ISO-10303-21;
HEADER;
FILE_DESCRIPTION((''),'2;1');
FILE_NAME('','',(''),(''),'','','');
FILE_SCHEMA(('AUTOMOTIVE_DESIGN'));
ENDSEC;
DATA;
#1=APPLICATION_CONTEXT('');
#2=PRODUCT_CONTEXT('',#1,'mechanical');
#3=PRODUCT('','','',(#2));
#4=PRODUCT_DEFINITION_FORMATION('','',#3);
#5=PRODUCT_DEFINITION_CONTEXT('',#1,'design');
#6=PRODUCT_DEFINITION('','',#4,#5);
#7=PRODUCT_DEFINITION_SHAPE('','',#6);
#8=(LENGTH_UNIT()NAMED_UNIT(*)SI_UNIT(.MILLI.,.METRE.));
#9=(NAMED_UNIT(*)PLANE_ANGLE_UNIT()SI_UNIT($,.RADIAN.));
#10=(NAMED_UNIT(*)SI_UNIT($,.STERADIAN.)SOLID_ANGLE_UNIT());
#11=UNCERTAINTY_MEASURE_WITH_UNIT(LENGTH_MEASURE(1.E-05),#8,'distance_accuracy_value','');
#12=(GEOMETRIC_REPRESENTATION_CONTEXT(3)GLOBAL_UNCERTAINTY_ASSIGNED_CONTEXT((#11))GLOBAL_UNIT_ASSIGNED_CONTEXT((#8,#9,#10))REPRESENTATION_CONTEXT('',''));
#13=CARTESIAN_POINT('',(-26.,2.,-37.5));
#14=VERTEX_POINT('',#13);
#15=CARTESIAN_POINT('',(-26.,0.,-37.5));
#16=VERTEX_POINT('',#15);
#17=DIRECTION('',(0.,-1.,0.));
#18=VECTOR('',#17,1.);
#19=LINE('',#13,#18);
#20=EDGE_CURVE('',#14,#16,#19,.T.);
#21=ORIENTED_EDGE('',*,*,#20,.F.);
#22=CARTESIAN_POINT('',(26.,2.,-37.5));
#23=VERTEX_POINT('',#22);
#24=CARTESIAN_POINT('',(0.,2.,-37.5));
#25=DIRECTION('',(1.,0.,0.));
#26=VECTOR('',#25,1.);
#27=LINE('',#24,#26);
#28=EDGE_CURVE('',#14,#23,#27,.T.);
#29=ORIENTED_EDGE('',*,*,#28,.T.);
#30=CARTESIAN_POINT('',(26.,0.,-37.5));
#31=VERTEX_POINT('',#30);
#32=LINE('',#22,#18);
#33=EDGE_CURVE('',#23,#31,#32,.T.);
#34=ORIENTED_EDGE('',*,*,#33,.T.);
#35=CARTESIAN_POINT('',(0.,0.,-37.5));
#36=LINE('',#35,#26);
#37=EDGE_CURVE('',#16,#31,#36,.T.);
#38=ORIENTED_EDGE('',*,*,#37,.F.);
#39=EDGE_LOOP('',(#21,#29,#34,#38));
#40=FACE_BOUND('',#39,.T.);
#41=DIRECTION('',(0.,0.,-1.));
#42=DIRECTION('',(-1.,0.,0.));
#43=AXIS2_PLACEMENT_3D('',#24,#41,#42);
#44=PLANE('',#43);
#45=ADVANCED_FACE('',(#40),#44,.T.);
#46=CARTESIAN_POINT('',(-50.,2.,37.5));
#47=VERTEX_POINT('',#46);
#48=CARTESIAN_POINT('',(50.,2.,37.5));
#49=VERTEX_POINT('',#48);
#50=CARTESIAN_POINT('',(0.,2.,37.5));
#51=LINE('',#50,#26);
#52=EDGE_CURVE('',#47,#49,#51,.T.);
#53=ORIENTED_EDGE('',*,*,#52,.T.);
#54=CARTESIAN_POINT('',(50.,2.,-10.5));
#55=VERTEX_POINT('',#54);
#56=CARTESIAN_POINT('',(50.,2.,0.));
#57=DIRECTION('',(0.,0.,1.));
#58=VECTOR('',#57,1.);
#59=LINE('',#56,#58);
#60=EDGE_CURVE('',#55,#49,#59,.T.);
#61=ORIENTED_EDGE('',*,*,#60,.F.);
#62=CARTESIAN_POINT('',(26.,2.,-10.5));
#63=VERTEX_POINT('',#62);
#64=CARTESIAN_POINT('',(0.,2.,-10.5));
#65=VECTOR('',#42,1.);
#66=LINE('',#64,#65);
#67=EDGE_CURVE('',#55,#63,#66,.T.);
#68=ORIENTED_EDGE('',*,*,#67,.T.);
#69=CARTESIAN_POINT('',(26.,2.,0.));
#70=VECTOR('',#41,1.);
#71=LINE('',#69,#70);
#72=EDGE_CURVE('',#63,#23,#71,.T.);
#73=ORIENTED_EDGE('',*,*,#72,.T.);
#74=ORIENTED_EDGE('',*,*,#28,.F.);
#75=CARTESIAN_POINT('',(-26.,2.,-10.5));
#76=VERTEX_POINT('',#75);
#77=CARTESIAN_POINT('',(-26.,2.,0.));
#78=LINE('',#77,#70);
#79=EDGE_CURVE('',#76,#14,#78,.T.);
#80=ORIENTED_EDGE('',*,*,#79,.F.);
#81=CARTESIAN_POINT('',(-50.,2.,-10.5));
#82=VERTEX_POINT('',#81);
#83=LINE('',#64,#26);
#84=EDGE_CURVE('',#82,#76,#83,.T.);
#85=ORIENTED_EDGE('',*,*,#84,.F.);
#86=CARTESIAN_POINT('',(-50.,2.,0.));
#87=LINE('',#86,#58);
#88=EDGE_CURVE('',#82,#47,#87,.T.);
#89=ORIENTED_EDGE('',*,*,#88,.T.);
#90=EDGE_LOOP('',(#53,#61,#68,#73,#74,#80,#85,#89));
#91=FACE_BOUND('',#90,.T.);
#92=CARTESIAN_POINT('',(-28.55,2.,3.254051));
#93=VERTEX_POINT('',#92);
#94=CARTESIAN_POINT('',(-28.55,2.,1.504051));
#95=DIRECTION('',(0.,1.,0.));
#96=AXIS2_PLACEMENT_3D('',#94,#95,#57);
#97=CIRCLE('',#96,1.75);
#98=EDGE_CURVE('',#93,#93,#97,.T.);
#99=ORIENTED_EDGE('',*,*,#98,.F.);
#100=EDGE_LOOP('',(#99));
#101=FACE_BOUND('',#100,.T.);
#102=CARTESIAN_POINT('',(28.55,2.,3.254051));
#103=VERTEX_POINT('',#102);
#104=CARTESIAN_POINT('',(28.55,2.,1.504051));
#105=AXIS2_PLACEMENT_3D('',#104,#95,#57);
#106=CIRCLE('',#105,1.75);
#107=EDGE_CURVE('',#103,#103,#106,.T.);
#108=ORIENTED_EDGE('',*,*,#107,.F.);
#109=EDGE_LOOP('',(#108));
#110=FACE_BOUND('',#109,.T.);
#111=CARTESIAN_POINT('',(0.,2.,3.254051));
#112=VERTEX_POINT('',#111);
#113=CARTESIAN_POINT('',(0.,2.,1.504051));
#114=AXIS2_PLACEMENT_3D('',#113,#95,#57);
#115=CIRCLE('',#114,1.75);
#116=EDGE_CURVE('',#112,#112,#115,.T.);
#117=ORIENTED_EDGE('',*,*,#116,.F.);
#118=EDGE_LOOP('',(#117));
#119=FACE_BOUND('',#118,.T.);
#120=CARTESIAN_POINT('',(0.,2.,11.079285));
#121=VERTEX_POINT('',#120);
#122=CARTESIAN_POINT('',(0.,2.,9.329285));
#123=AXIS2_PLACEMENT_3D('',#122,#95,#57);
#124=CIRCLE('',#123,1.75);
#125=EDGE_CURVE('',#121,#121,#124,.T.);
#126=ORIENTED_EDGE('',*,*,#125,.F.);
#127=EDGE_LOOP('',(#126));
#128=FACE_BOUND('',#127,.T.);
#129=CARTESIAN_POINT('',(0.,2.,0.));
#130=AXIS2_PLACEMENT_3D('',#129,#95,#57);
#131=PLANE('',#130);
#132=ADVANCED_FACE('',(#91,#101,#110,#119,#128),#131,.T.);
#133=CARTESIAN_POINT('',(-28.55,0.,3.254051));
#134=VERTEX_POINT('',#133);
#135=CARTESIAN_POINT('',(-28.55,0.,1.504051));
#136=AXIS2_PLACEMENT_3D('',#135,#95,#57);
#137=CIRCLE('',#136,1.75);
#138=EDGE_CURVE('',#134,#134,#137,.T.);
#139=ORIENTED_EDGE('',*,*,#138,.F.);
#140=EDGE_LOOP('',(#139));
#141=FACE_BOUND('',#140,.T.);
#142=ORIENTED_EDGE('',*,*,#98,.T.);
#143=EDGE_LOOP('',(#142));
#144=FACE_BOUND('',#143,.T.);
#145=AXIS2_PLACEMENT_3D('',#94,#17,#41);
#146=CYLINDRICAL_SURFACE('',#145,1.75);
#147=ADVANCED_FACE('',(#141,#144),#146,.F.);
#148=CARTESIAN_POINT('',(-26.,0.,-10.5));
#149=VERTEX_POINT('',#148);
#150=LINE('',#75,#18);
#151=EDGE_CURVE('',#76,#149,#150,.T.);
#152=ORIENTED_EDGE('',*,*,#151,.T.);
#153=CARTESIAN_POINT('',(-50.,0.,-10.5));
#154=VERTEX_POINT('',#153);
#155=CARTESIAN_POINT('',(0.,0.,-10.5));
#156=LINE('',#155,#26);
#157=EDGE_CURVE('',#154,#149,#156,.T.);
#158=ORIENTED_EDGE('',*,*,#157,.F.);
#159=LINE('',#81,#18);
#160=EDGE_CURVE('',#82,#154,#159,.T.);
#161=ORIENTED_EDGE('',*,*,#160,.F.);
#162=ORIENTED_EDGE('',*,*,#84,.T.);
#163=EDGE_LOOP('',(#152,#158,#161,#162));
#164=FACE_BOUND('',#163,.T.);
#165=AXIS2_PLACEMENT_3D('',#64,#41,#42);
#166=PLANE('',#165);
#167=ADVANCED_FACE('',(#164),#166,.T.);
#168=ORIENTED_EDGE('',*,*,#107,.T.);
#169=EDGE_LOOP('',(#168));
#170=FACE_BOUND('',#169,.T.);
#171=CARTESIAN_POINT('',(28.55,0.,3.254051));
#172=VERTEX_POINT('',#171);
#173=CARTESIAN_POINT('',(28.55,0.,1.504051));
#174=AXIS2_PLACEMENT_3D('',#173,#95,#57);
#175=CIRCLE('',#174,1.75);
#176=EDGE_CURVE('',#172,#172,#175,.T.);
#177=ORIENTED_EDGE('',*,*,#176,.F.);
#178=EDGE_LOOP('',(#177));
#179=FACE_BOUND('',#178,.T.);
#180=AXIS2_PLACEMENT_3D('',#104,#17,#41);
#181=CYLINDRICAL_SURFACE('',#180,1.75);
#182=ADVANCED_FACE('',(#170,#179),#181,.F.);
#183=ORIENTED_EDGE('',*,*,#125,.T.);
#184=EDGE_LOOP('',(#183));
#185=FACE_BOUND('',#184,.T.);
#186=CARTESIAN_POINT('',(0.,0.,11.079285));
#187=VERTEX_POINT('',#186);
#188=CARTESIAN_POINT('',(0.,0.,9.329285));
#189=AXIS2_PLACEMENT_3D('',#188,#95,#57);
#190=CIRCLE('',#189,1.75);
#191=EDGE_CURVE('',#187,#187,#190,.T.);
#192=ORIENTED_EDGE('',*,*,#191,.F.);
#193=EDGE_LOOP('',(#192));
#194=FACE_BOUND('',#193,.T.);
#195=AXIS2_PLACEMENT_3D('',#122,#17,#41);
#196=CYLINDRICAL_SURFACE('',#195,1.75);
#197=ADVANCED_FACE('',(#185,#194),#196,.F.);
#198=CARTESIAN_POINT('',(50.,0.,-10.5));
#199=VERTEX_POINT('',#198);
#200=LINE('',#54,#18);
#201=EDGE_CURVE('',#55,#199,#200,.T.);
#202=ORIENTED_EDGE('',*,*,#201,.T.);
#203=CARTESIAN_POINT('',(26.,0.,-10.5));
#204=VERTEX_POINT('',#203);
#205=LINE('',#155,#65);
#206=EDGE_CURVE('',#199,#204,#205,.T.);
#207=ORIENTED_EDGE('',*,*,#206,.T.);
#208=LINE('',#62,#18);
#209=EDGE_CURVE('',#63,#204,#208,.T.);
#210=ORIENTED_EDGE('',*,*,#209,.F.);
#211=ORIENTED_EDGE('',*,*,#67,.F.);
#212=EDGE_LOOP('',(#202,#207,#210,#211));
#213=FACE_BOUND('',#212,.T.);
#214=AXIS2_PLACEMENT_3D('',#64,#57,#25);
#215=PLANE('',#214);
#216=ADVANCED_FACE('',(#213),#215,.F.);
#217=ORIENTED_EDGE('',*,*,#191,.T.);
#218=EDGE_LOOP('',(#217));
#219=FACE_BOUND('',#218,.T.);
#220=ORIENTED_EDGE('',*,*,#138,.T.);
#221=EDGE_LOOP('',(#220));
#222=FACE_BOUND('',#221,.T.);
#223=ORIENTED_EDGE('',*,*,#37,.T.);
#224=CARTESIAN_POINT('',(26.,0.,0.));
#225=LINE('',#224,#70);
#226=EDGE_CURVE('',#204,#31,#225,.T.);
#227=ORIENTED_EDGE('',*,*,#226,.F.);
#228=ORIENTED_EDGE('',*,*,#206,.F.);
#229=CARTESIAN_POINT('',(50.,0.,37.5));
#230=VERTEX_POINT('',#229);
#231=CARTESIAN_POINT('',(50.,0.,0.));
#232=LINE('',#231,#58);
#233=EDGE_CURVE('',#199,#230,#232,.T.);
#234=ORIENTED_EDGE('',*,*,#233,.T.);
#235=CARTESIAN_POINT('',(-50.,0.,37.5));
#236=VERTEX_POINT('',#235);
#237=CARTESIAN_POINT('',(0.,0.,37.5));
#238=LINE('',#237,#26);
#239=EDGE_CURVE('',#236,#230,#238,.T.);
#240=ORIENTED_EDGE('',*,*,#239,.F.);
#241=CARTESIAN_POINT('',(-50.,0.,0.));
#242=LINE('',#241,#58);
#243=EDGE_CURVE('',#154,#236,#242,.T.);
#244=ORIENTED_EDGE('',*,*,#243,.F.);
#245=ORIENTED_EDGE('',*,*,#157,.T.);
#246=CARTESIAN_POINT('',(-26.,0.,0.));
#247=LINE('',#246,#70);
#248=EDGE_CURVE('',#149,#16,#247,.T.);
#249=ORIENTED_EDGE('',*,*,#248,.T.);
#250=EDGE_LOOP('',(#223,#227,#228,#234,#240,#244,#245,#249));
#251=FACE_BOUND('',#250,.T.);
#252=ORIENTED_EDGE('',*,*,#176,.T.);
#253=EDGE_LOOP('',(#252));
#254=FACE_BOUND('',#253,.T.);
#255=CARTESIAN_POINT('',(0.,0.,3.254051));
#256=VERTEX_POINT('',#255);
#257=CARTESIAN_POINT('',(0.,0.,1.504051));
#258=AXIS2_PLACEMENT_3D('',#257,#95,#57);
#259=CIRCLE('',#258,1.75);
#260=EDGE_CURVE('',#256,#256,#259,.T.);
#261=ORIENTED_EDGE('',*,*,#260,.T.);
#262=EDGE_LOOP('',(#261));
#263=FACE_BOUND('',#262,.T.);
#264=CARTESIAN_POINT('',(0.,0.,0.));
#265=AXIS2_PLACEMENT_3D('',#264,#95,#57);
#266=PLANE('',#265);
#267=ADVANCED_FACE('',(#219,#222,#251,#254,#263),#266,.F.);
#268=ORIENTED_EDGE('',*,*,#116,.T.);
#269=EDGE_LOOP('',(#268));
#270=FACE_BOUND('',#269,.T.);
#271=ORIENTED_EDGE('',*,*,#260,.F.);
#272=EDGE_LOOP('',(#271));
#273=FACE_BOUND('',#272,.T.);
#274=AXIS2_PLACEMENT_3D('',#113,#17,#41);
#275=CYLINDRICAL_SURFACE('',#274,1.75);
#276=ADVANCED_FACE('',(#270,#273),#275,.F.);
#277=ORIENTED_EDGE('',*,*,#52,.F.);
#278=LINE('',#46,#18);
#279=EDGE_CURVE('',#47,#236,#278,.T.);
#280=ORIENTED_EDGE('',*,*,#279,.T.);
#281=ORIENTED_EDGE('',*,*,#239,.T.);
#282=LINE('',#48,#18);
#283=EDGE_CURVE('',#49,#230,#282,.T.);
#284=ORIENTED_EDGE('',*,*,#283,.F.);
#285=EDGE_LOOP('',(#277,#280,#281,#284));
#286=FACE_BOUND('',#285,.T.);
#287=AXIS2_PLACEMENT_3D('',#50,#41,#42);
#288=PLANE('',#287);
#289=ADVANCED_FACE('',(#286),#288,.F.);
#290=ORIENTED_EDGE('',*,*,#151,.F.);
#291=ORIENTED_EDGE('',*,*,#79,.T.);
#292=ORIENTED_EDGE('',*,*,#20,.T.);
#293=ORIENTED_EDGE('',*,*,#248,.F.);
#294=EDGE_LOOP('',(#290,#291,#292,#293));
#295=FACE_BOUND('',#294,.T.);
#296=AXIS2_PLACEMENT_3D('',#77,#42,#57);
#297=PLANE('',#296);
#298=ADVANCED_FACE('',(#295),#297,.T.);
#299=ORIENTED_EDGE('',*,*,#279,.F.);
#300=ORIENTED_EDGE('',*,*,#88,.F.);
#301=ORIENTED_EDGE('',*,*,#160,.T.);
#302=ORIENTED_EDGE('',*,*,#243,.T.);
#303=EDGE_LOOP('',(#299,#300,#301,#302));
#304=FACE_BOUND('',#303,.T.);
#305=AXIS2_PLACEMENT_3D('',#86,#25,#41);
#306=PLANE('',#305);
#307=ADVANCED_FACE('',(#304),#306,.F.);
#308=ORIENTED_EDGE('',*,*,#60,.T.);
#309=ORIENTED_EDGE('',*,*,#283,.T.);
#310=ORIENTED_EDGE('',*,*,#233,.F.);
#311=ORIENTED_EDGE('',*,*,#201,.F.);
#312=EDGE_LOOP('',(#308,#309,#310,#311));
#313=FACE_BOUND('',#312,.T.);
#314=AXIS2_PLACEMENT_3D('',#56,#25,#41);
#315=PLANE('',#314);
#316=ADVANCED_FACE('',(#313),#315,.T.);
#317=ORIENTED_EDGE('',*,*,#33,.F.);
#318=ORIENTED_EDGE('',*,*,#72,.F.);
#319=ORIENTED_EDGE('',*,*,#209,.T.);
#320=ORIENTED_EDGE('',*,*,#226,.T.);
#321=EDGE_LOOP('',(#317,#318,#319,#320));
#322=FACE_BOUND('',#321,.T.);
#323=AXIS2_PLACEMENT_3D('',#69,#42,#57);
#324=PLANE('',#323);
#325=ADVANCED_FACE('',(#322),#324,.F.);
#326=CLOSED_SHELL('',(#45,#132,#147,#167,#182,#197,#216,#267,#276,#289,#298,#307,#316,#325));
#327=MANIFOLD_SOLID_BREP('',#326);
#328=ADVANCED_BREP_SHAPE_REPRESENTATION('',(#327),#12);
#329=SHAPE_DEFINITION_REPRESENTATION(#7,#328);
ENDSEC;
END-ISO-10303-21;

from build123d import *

# Parameters (mm, degrees)
CROQUIS1_R              = 1.75
SALIENTE_EXTRUIR1_DEPTH = 2


with BuildPart() as part:
    # Croquis1 → Saliente-Extruir1 (new body)
    with BuildSketch(Plane(origin=(0, 0, 0), x_dir=(1, 0, 0), z_dir=(0, 1, 0))):
        Polygon((-26, 10.5), (-50, 10.5), (-50, -37.5), (50, -37.5), (50, 10.5), (26, 10.5), (26, 37.5), (-26, 37.5), align=None)
        with Locations(Location((-28.55, -1.504051409, 0), (0, 0, 270))):
            Circle(CROQUIS1_R, mode=Mode.SUBTRACT)
        with Locations(Location((0, -9.329285485, 0), (0, 0, 270))):
            Circle(CROQUIS1_R, mode=Mode.SUBTRACT)
        with Locations(Location((0, -1.504051409, 0), (0, 0, 270))):
            Circle(CROQUIS1_R, mode=Mode.SUBTRACT)
        with Locations(Location((28.55, -1.504051409, 0), (0, 0, 270))):
            Circle(CROQUIS1_R, mode=Mode.SUBTRACT)
    extrude(amount=SALIENTE_EXTRUIR1_DEPTH)


solid = part.part
